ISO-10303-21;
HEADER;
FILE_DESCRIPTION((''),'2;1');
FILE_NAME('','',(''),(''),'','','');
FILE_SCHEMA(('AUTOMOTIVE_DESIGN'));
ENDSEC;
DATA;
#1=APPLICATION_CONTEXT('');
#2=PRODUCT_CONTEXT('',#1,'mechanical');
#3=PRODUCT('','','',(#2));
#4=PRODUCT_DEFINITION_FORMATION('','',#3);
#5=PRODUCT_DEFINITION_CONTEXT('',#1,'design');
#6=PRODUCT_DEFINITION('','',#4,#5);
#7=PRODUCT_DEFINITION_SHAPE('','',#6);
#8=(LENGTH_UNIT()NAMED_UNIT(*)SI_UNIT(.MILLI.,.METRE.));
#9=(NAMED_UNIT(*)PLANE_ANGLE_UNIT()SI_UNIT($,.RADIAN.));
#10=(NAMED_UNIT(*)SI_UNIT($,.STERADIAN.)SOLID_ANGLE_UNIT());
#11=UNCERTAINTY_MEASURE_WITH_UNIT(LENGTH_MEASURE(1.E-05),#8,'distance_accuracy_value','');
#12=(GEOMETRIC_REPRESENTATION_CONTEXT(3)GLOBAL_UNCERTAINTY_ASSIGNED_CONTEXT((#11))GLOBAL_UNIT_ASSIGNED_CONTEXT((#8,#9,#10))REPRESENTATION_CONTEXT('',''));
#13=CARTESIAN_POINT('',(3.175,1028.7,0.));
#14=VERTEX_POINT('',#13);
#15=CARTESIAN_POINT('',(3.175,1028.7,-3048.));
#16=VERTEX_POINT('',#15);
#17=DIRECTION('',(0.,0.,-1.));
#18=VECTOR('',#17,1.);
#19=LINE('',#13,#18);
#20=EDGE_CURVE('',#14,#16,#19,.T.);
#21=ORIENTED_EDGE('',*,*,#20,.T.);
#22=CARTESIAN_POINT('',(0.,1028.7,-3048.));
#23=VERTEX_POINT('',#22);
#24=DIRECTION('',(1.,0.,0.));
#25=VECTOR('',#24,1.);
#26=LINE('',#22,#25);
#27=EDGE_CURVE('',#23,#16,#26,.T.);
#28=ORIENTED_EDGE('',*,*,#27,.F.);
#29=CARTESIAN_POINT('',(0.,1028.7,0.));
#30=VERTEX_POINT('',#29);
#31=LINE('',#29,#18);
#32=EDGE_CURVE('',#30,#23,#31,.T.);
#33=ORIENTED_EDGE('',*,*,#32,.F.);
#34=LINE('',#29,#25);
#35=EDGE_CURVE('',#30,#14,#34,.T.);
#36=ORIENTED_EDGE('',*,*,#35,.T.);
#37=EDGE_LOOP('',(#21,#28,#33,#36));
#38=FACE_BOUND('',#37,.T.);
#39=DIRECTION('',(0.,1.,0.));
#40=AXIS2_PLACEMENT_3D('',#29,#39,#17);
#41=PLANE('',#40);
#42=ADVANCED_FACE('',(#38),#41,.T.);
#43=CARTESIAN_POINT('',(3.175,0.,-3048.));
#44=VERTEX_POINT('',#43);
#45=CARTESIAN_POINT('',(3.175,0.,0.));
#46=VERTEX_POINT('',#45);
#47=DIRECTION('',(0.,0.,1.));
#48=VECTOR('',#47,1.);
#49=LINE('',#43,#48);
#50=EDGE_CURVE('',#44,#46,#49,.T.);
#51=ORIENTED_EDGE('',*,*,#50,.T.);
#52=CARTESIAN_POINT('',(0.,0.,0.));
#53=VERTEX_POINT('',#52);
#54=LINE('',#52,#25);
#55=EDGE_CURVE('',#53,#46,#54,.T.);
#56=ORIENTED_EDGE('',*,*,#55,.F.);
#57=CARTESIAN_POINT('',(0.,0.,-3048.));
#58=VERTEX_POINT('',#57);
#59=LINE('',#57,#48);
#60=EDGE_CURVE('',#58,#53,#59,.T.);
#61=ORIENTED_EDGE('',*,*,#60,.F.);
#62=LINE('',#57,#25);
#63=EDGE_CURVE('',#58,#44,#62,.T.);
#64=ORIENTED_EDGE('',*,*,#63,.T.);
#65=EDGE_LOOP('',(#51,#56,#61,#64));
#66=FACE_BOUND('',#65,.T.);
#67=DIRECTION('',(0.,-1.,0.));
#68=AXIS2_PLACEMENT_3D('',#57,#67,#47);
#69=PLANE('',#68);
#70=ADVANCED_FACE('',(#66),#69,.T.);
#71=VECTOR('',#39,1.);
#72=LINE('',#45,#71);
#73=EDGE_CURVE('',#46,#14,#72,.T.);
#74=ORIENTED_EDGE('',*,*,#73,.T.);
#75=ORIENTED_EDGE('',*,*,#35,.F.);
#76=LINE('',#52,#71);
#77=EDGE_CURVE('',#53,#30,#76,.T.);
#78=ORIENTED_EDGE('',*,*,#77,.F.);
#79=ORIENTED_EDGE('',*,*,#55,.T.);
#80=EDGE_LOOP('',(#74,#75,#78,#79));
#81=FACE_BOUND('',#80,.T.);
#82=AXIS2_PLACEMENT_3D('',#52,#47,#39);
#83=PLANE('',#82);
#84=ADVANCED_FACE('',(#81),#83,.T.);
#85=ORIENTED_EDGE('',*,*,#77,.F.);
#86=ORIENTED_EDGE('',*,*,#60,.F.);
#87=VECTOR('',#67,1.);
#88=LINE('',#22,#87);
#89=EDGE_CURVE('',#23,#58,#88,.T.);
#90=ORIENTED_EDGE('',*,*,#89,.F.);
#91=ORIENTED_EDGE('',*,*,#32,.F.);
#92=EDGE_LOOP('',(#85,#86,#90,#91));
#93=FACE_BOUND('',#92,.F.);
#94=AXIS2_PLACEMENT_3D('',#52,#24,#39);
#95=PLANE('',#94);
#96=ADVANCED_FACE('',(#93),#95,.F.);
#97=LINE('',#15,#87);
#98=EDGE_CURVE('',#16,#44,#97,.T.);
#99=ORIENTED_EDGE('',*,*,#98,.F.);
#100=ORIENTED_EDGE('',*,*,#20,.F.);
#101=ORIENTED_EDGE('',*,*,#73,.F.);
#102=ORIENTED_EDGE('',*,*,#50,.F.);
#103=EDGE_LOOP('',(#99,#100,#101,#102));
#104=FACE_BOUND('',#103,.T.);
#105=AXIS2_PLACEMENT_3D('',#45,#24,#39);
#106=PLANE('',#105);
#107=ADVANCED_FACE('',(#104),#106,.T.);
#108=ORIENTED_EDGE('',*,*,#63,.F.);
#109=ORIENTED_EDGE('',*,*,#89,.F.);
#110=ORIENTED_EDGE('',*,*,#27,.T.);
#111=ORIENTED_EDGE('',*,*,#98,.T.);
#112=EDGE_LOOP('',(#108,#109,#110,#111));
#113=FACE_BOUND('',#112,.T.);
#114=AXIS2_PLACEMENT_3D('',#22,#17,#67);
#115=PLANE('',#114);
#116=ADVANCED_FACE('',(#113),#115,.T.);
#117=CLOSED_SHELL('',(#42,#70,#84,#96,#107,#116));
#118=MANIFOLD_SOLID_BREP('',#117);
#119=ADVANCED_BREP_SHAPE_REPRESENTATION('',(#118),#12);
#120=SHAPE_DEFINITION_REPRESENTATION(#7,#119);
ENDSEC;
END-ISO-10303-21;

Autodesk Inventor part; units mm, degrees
ref_plane "YZ Plane" through (0, 0, 0) normal (1, 0, 0) x (0, 1, 0)
ref_plane "XZ Plane" through (0, 0, 0) normal (0, 1, 0) x (-1, 0, 0)
ref_plane "XY Plane" through (0, 0, 0) normal (0, 0, 1) x (1, 0, 0)
sketch "Sketch1" plane through (0, 0, 0) normal (1, 0, 0) x (0, 1, 0)
  line L0 (0, 0) -> (1028.7, 0)
  line L1 (1028.7, 0) -> (1028.7, -3048)
  line L2 (1028.7, -3048) -> (0, -3048)
  line L3 (0, -3048) -> (0, 0)
  dimension "d2" = 3048
  dimension "d3" = 1028.7
extrude "Extrusion1" add sketch "Sketch1" along normal blind 3.175
properties part number "StationWindow-ver3-1111-2021"
